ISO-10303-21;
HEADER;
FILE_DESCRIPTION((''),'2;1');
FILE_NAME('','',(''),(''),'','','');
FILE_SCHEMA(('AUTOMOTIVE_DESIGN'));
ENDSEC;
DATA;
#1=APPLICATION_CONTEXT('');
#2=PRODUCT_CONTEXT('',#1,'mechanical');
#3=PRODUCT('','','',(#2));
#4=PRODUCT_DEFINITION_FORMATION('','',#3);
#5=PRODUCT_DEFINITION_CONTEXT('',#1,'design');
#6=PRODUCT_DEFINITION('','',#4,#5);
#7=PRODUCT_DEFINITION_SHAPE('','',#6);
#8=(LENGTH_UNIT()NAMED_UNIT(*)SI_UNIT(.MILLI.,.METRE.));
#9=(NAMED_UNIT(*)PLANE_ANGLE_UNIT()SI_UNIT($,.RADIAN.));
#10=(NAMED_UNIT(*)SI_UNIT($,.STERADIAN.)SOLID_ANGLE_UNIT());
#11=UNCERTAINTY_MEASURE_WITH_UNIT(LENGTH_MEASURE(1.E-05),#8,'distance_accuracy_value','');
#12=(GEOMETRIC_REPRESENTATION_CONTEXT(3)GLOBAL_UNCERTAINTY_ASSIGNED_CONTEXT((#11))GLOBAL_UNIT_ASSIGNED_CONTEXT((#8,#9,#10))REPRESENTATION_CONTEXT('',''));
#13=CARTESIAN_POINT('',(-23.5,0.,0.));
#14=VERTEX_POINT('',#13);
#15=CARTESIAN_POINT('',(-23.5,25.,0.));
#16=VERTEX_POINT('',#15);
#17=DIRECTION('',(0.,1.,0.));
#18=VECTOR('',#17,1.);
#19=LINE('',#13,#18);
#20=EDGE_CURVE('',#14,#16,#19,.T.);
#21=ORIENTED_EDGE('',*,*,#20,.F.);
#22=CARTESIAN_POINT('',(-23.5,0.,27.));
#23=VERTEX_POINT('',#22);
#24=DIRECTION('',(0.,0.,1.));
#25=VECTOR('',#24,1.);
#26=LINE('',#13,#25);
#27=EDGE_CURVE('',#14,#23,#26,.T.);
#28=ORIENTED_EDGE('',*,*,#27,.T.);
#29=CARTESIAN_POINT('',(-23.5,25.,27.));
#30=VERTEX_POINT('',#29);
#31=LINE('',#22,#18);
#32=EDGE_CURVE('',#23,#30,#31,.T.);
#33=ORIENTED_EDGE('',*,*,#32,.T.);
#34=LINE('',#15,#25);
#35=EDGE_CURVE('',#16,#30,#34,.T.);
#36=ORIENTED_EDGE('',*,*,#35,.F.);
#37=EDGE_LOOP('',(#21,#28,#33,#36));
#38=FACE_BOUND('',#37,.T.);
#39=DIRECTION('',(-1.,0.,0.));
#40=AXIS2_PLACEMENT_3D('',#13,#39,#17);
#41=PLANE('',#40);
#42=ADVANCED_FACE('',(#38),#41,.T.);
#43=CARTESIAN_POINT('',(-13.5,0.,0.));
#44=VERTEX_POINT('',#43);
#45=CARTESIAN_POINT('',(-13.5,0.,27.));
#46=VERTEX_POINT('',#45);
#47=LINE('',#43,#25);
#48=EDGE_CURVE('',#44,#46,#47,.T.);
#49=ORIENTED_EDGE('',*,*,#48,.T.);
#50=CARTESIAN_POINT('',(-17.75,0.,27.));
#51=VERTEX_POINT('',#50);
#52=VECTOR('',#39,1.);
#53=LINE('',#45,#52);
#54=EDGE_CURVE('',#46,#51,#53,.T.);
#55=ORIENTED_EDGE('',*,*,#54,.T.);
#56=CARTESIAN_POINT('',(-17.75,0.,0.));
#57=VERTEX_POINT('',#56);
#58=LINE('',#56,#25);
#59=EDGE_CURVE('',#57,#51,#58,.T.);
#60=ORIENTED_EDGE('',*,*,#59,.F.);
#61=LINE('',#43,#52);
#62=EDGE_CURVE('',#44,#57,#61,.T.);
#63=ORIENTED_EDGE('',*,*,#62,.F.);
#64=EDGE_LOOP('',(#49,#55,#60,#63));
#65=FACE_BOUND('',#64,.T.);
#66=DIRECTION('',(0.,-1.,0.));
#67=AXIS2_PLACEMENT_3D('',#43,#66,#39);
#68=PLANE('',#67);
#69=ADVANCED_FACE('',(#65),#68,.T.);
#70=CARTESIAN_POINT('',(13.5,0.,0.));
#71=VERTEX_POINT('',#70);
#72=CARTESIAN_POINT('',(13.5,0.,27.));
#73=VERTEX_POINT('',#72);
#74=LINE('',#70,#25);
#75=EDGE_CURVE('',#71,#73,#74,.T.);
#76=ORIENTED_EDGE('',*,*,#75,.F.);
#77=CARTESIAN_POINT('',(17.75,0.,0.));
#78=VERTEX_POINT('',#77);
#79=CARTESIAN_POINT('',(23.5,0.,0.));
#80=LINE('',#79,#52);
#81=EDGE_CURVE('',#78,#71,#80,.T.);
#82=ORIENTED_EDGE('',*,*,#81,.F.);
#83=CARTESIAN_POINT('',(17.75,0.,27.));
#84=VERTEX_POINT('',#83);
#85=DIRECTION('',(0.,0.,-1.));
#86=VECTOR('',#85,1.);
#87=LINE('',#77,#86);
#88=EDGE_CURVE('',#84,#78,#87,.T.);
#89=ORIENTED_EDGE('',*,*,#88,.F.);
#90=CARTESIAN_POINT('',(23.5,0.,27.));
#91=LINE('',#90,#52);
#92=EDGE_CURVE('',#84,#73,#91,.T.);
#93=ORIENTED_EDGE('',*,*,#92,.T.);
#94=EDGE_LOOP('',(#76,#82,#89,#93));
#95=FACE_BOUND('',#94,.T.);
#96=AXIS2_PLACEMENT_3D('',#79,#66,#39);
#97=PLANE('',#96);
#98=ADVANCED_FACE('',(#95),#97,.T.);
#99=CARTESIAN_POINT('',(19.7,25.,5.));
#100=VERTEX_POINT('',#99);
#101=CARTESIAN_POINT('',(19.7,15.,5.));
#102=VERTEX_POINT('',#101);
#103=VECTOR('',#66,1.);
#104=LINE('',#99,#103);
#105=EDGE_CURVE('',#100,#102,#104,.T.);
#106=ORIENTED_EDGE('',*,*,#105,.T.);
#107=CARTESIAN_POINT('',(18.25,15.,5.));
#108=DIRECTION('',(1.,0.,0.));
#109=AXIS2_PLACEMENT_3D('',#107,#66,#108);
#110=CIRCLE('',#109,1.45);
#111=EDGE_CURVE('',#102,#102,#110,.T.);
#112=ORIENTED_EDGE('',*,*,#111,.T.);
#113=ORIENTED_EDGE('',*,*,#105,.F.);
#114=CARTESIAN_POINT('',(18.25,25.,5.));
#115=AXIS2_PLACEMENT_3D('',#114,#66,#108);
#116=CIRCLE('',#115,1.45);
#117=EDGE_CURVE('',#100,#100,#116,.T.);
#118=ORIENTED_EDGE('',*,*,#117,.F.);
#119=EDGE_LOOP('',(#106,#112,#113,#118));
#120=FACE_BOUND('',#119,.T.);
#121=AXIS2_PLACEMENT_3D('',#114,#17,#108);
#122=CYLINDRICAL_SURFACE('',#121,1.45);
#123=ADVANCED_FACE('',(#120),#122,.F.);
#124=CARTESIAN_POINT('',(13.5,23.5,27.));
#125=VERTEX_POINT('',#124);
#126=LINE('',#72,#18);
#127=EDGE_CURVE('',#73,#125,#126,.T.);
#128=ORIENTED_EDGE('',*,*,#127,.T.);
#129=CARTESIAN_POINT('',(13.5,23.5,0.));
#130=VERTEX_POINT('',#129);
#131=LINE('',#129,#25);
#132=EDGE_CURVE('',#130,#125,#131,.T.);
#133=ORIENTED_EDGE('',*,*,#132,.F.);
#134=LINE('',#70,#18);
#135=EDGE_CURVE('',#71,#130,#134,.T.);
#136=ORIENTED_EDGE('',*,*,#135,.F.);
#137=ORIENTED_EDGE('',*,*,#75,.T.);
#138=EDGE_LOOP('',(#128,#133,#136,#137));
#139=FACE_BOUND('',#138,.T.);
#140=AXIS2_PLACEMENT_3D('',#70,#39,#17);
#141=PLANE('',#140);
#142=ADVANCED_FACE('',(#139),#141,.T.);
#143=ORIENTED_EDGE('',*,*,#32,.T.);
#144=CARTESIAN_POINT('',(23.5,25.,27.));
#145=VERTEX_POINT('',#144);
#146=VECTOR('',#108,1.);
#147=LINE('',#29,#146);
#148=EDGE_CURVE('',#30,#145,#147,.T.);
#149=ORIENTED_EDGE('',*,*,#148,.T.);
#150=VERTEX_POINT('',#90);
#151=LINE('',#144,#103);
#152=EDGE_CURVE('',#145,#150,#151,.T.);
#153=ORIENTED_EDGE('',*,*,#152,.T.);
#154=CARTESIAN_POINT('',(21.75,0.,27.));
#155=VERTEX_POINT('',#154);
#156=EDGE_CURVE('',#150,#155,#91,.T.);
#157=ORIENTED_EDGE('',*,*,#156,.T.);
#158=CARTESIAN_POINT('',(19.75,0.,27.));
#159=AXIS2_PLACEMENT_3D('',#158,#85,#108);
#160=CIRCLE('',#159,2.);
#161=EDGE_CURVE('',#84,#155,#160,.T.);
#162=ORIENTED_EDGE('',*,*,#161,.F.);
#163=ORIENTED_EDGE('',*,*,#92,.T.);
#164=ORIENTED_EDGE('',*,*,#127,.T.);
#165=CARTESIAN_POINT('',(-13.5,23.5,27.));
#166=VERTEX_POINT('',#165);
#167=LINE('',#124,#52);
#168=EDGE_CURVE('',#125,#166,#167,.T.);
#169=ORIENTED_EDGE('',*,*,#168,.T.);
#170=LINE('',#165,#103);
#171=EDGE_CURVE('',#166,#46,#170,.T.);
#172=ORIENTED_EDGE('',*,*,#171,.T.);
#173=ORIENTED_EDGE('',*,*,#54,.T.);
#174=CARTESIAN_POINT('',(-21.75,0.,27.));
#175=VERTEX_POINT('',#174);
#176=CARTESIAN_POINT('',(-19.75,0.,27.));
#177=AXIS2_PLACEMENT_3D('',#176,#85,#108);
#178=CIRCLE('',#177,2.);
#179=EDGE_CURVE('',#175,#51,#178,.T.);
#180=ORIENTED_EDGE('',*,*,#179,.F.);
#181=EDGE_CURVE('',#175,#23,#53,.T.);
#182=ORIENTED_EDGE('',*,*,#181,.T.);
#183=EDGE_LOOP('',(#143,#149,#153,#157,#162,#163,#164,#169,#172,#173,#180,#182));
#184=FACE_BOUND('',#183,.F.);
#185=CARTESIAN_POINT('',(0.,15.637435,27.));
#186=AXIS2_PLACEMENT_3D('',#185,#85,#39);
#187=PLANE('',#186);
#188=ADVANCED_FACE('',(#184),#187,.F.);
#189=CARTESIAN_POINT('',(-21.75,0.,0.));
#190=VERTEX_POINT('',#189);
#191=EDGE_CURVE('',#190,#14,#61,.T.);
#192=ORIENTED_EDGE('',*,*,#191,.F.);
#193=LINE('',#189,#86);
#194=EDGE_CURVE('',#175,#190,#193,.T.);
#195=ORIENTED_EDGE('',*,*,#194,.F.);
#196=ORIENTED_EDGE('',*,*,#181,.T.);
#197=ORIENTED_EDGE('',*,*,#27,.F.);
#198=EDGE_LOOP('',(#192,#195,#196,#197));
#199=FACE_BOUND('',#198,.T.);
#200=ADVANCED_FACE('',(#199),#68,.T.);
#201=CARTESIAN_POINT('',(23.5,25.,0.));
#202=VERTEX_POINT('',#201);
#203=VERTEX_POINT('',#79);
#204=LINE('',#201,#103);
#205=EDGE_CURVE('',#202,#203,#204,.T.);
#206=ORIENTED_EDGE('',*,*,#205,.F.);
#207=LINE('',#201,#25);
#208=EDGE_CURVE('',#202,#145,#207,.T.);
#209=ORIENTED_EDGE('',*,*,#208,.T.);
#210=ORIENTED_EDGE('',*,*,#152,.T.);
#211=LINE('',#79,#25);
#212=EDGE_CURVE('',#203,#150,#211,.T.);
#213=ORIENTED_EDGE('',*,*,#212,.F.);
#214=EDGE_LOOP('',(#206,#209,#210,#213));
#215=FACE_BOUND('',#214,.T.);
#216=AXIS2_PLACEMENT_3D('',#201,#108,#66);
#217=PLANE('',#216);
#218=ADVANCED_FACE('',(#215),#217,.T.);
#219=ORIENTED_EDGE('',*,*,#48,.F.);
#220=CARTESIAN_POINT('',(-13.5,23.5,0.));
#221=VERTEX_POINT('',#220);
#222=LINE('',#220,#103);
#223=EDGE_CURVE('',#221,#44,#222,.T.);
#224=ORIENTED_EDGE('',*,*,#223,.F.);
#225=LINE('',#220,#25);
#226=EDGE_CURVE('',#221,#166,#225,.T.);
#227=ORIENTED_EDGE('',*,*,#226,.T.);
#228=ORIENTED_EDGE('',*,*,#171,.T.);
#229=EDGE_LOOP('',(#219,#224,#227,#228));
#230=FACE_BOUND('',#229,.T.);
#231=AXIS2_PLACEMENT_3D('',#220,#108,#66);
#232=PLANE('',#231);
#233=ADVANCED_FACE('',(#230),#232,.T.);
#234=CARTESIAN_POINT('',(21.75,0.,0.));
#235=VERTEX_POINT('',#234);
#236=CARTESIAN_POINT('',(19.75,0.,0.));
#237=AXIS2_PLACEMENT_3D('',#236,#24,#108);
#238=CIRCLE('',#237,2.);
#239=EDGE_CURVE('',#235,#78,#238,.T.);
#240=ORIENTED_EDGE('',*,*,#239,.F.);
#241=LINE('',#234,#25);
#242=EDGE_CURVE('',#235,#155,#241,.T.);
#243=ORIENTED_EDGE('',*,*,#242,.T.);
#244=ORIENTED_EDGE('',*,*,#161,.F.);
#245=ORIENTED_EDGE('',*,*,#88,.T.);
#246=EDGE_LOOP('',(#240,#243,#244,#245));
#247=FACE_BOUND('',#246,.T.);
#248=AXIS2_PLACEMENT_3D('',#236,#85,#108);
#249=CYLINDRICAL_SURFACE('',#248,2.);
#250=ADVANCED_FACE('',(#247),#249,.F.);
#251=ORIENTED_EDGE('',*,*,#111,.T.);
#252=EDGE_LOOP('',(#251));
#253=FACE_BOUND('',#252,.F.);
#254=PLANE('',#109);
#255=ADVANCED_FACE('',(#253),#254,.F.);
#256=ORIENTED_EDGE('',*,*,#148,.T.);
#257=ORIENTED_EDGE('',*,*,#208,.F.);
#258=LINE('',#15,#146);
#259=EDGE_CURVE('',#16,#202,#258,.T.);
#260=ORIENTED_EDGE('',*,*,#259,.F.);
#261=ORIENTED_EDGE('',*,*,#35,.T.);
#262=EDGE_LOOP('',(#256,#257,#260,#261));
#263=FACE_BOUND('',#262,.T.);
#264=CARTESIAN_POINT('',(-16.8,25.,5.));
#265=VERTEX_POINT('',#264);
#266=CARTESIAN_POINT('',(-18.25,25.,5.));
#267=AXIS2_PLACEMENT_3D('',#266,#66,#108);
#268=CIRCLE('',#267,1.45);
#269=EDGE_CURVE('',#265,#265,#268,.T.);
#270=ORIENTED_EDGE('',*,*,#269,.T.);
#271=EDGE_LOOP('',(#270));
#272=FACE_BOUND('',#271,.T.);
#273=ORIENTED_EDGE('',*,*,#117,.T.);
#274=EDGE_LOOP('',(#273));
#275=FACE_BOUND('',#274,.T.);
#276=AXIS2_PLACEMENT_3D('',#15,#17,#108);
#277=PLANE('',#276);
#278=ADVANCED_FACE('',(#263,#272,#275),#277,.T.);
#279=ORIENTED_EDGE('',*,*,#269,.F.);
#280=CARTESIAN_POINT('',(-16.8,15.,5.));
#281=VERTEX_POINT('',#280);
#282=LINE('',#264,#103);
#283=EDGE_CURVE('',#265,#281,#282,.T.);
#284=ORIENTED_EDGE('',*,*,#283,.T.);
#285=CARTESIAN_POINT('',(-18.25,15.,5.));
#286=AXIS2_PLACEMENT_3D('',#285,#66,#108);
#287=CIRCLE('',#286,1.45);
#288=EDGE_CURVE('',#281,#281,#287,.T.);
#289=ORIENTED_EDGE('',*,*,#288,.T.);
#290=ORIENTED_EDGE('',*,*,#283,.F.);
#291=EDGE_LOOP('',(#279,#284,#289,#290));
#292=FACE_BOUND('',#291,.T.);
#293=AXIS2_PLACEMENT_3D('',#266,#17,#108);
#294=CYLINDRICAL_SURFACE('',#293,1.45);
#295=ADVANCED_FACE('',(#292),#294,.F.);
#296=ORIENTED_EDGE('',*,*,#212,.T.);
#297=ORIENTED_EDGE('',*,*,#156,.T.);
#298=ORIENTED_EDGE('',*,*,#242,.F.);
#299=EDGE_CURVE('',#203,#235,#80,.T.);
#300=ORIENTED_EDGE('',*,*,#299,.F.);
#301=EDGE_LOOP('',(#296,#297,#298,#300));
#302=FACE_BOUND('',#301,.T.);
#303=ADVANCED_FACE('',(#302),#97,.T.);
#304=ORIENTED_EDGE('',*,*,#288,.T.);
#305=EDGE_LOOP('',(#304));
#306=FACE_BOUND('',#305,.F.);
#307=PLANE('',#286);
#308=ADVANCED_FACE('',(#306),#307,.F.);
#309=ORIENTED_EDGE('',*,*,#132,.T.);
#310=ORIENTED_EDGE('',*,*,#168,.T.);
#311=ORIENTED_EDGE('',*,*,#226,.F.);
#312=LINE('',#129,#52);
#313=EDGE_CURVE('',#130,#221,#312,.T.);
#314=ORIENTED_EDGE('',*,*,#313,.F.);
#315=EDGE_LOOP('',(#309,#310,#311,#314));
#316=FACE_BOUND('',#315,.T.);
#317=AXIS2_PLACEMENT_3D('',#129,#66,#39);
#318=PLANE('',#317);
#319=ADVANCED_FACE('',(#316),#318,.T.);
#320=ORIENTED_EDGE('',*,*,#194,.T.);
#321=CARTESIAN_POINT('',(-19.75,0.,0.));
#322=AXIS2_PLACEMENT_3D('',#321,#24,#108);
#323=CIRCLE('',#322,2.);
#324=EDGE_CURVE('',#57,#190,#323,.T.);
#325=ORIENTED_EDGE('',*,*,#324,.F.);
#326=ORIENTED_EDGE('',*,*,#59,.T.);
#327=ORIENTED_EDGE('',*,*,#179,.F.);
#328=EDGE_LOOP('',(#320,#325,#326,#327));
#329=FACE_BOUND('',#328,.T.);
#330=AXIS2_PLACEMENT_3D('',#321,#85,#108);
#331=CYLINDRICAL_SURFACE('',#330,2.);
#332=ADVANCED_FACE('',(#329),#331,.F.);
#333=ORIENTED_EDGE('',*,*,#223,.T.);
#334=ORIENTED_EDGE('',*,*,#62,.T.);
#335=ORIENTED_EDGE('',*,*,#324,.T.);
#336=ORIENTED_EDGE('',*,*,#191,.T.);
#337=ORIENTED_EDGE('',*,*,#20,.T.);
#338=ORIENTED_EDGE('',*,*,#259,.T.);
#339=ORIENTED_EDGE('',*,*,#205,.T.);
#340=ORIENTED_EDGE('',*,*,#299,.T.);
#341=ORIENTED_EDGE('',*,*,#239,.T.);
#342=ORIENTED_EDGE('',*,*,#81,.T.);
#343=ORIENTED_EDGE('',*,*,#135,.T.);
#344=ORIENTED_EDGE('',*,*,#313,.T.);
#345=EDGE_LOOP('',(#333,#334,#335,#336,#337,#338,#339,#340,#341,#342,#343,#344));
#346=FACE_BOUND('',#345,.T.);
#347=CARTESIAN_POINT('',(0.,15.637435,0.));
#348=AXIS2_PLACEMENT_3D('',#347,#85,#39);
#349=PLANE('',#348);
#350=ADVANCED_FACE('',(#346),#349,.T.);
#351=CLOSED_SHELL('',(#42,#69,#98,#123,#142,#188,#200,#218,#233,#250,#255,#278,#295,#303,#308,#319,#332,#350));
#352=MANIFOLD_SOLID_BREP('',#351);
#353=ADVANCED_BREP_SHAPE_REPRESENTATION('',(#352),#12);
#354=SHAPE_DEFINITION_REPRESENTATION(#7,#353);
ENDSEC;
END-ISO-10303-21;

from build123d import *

# Parameters (mm, degrees)
PAD_DEPTH       = 27
SKETCH001_R     = 2
POCKET_DEPTH    = 27.001
SKETCH002_R     = 1.45
POCKET001_DEPTH = 10


with BuildPart() as part:
    # Sketch → Pad (new body)
    with BuildSketch(Plane.XY):
        Polygon((13.5, 0), (13.5, 23.5), (-13.5, 23.5), (-13.5, 0), (-23.5, 0), (-23.5, 25), (23.5, 25), (23.5, 0), align=None)
    extrude(amount=PAD_DEPTH)

    # Sketch001 → Pocket (cut, through all)
    with BuildSketch(Plane.XY):
        with Locations((-19.75, 0)):
            Circle(SKETCH001_R)
        with Locations((19.75, 0)):
            Circle(SKETCH001_R)
    extrude(amount=POCKET_DEPTH, mode=Mode.SUBTRACT)

    # Sketch002 (on DatumPlane) → Pocket001 (cut)
    with BuildSketch(Plane.XZ.offset(-25)):
        with Locations((-18.25, 5)):
            Circle(SKETCH002_R)
        with Locations((18.25, 5)):
            Circle(SKETCH002_R)
    extrude(amount=POCKET001_DEPTH, mode=Mode.SUBTRACT)


solid = part.part
